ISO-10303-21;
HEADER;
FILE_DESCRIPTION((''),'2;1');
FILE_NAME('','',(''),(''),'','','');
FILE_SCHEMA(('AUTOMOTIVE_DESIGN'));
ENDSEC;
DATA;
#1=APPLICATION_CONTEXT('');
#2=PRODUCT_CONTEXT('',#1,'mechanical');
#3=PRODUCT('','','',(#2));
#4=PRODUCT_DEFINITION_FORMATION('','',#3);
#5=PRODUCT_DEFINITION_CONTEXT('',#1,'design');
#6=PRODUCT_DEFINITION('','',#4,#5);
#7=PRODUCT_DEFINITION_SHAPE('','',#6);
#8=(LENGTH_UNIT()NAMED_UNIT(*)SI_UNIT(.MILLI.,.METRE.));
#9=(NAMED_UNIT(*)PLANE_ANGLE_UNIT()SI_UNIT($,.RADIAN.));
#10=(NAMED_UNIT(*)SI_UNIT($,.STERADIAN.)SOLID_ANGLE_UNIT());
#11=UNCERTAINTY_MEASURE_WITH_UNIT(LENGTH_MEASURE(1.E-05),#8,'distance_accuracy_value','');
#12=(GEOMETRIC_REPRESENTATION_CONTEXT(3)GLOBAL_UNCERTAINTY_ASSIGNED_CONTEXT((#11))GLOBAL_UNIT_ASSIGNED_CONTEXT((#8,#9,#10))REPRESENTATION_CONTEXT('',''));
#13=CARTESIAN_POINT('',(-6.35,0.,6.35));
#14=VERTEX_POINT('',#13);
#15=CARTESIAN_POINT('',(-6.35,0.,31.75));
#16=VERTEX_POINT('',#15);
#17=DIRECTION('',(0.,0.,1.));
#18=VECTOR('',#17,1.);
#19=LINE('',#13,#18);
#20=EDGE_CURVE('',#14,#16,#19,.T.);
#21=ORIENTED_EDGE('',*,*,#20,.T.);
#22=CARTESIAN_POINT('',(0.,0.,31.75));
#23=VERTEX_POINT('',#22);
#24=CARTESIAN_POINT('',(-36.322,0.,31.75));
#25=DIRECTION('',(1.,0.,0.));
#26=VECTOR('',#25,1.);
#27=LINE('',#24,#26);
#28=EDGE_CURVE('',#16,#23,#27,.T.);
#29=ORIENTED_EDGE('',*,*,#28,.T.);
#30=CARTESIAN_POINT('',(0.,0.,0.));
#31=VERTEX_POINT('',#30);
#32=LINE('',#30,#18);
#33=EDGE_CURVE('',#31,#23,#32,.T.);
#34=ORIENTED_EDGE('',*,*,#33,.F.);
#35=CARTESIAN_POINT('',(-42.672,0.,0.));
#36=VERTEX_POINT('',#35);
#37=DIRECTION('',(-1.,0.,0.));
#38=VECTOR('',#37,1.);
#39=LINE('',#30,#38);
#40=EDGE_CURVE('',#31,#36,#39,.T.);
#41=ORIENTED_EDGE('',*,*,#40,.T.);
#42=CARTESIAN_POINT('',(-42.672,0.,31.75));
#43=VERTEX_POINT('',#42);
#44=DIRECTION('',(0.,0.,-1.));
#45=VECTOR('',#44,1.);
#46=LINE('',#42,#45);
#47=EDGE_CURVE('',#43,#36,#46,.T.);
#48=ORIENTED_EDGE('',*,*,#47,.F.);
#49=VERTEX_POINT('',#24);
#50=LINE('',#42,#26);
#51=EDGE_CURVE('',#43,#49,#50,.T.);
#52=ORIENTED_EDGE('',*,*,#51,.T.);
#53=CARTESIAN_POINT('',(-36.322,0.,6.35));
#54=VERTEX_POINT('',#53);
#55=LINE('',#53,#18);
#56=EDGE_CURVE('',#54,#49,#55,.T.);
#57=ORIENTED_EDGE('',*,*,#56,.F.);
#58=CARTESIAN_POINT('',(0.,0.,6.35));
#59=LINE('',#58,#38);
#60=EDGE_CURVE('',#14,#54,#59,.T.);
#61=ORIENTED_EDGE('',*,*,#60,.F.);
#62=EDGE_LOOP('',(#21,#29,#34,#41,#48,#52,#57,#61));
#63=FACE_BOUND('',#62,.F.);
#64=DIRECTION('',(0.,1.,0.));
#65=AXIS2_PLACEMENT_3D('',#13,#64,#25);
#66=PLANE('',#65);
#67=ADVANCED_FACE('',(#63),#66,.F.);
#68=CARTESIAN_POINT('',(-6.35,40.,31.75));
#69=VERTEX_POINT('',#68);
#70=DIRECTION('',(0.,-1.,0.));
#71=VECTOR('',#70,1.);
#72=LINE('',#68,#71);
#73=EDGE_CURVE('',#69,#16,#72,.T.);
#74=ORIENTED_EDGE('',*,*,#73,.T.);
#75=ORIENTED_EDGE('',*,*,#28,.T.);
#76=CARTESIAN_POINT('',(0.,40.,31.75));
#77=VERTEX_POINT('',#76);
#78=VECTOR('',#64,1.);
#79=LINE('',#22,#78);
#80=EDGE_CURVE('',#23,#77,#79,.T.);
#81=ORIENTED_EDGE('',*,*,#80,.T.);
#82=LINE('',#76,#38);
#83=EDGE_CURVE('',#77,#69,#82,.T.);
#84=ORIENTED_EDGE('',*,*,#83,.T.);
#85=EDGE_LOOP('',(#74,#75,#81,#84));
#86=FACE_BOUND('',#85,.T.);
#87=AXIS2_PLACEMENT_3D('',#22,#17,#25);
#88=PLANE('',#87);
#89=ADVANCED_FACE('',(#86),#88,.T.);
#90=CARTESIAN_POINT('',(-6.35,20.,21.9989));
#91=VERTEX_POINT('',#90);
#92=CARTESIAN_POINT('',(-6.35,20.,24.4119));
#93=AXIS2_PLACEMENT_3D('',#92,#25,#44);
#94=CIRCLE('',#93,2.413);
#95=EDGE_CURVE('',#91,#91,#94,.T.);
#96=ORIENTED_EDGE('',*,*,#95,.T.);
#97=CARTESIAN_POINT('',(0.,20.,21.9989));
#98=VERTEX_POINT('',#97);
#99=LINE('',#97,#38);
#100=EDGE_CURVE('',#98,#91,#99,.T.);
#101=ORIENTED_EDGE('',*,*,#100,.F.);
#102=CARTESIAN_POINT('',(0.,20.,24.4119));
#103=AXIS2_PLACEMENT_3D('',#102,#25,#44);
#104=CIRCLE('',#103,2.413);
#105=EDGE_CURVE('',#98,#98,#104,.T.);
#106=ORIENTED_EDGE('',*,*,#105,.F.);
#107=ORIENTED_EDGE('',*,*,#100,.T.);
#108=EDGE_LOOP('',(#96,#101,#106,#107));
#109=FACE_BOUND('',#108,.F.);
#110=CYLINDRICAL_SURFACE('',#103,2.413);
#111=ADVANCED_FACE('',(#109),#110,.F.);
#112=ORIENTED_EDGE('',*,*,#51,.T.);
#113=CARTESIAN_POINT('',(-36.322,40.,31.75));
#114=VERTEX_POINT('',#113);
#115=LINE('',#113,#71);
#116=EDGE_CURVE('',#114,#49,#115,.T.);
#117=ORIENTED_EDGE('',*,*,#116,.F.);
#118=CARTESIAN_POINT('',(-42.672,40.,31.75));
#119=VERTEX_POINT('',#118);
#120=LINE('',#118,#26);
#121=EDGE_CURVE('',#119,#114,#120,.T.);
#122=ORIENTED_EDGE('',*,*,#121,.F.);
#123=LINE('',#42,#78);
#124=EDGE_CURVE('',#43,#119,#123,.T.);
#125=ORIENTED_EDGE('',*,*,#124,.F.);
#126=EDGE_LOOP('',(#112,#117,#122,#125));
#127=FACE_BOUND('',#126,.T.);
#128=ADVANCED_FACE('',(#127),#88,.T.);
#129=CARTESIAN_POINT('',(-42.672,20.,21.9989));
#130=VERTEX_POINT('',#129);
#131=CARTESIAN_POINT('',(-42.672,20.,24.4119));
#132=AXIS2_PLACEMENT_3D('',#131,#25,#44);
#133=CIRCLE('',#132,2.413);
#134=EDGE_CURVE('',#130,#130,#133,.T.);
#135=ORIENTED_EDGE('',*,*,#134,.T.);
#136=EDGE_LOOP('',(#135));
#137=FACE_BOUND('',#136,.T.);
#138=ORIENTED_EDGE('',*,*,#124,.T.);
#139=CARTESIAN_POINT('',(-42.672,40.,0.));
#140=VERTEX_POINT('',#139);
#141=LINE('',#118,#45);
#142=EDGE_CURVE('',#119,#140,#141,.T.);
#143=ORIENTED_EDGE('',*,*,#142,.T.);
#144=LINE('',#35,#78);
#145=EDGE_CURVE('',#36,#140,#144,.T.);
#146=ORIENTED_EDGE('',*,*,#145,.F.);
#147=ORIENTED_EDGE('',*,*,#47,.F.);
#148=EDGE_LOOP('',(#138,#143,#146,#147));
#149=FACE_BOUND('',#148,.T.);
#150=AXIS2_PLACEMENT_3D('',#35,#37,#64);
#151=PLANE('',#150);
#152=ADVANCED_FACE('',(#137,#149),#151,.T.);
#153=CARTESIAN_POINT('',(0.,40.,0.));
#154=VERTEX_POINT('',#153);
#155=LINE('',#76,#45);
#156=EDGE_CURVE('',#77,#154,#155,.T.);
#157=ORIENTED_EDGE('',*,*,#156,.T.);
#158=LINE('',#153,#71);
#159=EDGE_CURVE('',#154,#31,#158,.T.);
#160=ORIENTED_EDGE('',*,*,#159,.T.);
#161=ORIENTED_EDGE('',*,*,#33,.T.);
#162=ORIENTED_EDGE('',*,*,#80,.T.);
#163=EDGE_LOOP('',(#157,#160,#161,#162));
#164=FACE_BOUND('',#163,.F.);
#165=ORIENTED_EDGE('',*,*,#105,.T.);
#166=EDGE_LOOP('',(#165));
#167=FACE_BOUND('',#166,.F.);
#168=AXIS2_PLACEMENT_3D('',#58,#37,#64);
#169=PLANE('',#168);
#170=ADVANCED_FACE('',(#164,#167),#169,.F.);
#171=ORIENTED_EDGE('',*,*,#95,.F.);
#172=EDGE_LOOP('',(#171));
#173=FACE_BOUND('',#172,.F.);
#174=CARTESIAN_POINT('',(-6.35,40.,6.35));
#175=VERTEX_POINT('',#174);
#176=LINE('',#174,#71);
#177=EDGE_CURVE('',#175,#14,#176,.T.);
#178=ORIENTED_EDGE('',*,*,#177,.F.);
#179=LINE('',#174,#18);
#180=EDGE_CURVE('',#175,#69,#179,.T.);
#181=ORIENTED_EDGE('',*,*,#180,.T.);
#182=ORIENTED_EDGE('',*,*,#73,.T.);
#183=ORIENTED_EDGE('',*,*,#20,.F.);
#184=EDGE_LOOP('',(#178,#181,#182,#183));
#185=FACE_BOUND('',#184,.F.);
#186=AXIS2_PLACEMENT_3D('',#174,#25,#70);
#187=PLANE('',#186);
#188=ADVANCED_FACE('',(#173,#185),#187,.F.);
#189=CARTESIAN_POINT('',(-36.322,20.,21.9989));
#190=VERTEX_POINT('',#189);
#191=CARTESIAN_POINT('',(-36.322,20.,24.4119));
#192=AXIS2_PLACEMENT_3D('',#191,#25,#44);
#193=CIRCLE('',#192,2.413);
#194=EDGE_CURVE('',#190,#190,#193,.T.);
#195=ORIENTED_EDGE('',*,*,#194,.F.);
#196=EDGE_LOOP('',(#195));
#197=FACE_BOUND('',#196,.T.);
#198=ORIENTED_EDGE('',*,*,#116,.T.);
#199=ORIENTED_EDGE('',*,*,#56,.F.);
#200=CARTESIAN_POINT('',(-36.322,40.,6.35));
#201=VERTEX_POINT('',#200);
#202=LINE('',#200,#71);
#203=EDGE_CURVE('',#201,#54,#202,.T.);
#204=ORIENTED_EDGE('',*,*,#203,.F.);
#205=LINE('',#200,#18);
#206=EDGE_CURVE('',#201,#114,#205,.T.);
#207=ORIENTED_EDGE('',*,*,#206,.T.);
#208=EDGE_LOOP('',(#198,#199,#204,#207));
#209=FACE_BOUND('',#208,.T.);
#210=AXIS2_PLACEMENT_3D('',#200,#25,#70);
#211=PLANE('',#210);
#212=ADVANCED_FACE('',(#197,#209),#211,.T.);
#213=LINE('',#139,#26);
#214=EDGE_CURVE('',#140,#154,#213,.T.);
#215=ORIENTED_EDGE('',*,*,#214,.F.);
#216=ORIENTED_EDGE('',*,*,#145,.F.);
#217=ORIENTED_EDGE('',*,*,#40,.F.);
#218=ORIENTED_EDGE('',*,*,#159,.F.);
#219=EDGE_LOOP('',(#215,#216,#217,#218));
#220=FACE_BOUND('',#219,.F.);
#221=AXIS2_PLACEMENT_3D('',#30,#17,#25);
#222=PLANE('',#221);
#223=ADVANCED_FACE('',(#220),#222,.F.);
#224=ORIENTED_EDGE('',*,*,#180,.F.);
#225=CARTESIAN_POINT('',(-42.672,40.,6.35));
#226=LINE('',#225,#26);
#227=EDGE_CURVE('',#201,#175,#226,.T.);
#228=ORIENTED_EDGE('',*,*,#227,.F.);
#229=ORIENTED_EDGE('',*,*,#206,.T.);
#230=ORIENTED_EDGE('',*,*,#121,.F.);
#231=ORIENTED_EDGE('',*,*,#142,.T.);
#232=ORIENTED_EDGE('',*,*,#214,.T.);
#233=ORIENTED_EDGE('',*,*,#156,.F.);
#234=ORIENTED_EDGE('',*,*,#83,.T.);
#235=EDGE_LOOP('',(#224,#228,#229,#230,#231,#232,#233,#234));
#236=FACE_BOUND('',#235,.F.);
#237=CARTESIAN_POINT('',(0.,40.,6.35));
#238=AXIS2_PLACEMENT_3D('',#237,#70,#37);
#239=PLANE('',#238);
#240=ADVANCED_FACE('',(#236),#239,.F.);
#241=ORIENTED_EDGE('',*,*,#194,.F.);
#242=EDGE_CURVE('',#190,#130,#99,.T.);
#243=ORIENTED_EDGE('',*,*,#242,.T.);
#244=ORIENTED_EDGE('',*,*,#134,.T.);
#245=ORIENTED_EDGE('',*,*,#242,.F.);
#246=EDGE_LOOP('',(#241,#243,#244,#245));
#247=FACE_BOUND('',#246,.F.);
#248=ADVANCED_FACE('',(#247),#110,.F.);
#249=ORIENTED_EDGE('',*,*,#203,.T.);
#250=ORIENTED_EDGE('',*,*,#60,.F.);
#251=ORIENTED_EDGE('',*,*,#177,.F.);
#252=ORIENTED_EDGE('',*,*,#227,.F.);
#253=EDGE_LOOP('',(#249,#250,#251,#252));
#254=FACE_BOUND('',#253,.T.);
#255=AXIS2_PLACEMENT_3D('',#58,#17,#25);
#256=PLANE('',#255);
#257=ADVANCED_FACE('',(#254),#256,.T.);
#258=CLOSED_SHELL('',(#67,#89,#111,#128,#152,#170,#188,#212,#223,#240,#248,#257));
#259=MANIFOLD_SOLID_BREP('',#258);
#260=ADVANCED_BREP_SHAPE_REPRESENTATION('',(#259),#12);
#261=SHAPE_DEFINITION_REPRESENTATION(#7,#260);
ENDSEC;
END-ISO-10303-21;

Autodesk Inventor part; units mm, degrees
ref_plane "YZ Plane" through (0, 0, 0) normal (1, 0, 0) x (0, 1, 0)
ref_plane "XZ Plane" through (0, 0, 0) normal (0, 1, 0) x (-1, 0, 0)
ref_plane "XY Plane" through (0, 0, 0) normal (0, 0, 1) x (1, 0, 0)
sketch "Sketch1" plane through (0, 0, 0) normal (0, 0, 1) x (1, 0, 0)
  line L0 (0, 0) -> (-42.672, 0)
  line L1 (-42.672, 0) -> (-42.672, 40)
  line L2 (-42.672, 40) -> (0, 40)
  line L3 (0, 40) -> (0, 0)
  dimension "d0" = 42.672
  dimension "d1" = 40
extrude "Extrusion1" add sketch "Sketch1" along normal blind 6.35
sketch "Sketch2" plane through (0, 0, 6.35) normal (0, 0, 1) x (1, 0, 0)
  line L0 (-42.672, 0) -> (0, 0) projected
  line L1 (-42.672, 40) -> (-36.322, 40)
  line L2 (-36.322, 40) -> (-36.322, 0)
  line L3 (-36.322, 0) -> (-42.672, 0)
  line L4 (-42.672, 0) -> (-42.672, 40)
  dimension "d4" = 6.35
extrude "Extrusion2" add sketch "Sketch2" along normal blind 25.4
sketch "Sketch3" plane through (0, 0, 6.35) normal (0, 0, 1) x (1, 0, 0)
  line L0 (-36.322, 0) -> (0, 0) projected
  line L1 (0, 40) -> (-6.35, 40)
  line L2 (-6.35, 40) -> (-6.35, 0)
  line L3 (-6.35, 0) -> (0, 0)
  line L4 (0, 0) -> (0, 40)
  dimension "d7" = 6.35
extrude "Extrusion3" add sketch "Sketch3" along normal blind 25.4
sketch "Sketch4" plane through (0, 0, 0) normal (1, 0, 0) x (0, 0, -1)
  circle A0 centre (-24.4119, 20) radius 2.413
  dimension "d10" = 4.826
extrude "Extrusion4" cut sketch "Sketch4" against normal blind 76.2
properties part number "LiftBase2" material "Aluminum 6061"
